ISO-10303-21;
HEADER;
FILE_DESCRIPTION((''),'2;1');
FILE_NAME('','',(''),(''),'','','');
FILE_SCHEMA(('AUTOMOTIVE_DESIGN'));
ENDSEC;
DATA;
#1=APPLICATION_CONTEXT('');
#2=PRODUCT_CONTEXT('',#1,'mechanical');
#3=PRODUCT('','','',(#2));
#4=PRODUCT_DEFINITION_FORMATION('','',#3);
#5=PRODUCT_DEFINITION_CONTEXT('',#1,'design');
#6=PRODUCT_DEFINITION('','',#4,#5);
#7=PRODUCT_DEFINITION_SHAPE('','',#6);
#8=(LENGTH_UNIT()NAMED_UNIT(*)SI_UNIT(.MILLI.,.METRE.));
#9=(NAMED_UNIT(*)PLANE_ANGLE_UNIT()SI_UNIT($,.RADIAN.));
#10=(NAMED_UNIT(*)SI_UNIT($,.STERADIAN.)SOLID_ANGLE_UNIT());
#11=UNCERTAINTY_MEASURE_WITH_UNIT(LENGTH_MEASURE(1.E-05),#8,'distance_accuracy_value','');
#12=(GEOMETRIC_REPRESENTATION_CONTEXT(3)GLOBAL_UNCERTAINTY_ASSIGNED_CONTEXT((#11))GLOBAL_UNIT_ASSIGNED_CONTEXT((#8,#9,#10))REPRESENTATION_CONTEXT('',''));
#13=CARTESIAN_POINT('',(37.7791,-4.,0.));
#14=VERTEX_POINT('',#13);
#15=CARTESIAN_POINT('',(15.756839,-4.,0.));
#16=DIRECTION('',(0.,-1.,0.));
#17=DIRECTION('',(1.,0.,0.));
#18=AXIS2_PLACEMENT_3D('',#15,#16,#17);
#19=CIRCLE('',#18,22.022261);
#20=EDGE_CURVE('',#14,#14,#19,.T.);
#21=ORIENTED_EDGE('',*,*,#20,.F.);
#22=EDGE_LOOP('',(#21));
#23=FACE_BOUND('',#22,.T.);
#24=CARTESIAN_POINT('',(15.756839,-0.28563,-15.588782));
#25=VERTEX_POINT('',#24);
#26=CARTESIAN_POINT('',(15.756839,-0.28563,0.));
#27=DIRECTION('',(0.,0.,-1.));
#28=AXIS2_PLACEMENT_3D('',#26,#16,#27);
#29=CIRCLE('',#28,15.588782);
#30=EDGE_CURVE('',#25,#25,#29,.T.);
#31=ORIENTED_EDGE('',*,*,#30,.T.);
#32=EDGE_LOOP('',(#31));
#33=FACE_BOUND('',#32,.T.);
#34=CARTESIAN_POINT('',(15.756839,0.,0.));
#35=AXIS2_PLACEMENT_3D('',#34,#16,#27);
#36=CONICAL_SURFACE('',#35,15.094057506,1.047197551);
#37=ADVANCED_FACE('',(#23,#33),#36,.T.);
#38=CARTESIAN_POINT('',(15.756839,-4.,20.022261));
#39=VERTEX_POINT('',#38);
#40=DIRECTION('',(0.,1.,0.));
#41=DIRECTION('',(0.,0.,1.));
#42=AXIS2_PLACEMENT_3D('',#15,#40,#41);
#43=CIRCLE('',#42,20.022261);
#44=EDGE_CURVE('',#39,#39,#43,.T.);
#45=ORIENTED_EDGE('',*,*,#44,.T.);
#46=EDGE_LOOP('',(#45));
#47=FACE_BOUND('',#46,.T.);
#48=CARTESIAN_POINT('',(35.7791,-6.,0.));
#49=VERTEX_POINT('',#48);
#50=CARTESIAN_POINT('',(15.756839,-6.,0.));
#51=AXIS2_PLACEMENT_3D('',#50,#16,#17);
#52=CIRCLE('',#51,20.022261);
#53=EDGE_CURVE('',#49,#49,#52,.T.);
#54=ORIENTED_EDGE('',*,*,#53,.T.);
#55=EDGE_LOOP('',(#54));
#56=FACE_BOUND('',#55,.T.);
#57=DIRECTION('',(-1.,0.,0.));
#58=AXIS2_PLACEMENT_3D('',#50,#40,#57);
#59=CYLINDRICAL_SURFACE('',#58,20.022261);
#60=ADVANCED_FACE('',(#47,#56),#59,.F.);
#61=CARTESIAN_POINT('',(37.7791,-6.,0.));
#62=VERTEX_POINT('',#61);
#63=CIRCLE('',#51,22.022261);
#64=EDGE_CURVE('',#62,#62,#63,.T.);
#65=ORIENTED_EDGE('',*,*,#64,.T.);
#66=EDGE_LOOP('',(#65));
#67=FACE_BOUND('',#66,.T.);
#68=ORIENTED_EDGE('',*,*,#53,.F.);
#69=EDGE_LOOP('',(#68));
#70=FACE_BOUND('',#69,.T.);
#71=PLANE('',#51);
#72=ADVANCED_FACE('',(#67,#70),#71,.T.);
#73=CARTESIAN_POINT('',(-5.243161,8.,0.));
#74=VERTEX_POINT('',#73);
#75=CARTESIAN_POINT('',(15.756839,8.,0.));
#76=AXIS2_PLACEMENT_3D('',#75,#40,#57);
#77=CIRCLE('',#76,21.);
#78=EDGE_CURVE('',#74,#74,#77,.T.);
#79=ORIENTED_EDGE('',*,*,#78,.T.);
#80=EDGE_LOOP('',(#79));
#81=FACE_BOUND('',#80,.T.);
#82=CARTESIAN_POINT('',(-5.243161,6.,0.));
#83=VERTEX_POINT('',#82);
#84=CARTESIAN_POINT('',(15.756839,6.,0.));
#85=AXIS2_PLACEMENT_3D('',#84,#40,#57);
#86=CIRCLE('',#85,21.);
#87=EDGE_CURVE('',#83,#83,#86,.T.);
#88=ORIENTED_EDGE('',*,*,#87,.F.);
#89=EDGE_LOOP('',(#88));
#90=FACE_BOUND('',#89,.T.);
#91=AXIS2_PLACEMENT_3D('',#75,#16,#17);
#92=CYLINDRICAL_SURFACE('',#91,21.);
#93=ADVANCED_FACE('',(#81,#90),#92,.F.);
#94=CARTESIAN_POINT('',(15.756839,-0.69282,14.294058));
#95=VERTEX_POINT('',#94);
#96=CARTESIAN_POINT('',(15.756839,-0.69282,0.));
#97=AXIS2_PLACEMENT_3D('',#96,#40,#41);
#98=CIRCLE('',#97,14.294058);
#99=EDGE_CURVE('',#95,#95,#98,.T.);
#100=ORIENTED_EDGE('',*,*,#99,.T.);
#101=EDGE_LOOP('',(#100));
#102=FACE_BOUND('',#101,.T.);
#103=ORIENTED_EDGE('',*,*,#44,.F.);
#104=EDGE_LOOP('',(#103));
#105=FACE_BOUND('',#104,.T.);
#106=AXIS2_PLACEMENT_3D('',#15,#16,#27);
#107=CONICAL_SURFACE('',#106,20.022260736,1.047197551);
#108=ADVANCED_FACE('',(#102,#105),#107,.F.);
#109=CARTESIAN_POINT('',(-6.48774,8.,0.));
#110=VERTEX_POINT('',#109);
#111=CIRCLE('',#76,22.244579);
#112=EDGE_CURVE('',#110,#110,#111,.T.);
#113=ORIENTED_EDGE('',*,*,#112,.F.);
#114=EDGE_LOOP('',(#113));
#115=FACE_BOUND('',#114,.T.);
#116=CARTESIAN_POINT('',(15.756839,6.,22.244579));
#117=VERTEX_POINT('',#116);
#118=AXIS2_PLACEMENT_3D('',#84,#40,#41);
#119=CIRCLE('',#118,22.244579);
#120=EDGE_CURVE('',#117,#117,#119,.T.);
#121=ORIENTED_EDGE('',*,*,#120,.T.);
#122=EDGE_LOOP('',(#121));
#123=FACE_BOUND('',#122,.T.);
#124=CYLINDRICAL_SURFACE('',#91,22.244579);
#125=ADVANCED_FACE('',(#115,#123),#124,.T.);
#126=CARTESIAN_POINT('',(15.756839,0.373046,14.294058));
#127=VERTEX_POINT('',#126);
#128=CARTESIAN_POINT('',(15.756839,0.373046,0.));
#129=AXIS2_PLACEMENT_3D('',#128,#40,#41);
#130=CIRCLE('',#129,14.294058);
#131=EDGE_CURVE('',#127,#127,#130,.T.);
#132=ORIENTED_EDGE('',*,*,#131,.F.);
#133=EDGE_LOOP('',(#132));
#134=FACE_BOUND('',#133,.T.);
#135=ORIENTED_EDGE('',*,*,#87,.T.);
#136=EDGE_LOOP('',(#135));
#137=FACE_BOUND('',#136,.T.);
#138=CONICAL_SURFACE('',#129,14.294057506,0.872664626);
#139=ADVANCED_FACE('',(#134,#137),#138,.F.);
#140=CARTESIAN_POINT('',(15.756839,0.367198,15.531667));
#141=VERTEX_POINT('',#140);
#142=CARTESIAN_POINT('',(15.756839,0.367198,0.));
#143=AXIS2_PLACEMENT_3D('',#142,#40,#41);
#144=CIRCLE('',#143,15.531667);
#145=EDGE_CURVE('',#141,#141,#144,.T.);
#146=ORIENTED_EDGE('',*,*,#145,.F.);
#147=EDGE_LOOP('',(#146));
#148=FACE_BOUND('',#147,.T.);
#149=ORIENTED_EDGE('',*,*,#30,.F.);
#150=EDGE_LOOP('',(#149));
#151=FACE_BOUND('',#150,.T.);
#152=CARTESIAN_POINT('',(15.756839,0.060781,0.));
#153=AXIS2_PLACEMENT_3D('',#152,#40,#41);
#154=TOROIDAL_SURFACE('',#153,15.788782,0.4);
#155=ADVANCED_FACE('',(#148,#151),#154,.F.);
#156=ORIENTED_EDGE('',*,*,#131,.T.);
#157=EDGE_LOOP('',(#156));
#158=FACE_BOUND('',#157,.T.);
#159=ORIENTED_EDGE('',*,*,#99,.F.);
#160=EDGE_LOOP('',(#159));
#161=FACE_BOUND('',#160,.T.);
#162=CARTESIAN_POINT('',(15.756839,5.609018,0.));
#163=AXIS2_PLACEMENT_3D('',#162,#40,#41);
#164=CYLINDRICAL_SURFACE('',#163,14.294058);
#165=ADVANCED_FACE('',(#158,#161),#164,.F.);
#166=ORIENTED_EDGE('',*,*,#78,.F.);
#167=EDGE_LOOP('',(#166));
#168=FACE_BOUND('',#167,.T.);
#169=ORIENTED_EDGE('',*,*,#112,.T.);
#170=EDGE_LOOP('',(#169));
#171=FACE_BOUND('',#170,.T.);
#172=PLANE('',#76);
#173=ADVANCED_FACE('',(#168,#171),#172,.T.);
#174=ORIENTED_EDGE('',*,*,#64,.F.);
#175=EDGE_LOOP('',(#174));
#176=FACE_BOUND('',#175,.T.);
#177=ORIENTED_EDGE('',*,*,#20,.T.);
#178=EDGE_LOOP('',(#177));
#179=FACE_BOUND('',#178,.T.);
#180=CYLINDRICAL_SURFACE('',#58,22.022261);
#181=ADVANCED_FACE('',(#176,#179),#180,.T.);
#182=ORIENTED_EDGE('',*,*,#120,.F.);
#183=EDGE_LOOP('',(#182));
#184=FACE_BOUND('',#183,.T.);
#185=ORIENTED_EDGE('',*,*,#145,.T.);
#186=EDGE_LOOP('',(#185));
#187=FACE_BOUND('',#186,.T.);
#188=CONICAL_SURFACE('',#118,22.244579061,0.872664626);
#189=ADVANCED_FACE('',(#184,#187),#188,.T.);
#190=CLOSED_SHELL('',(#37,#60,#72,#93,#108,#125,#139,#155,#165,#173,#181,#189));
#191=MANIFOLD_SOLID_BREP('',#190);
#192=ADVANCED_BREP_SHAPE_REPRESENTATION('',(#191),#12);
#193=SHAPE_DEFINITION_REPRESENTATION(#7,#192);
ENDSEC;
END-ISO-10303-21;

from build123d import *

# Parameters (mm, degrees)
FILLET2_R           = 0.4
SKETCH2_R           = 22.244579061
SKETCH2_R_2         = 21
BOSS_EXTRUDE1_DEPTH = 2
SKETCH3_R           = 22.022260736
SKETCH3_R_2         = 20.022260736
BOSS_EXTRUDE2_DEPTH = 2


with BuildPart() as part:
    # Sketch1 → Revolve1 (revolve)
    with BuildSketch(Plane.XY, mode=Mode.PRIVATE) as revolve1_sk:
        Polygon((0.662781953, 0), (-6.487739603, 6), (-5.243160541, 6), (1.462781953, 0.373046127), (1.462781953, -0.692820323), (-4.265421278, -4), (-6.265421278, -4), align=None)
    revolve(revolve1_sk.sketch.rotate(Axis((15.756839459, 5.609018033, 0), (0, -1, 0)), 270), axis=Axis((15.756839459, 5.609018033, 0), (0, -1, 0)))

    # Fillet2
    fillet2_edges = [part.edges().sort_by_distance(p)[0] for p in [
        (15.756839459, 0, -15.094057506),
    ]]
    fillet(fillet2_edges, radius=FILLET2_R)

    # Sketch2 → Boss-Extrude1 (add)
    with BuildSketch(Plane(origin=(0, 6, 0), x_dir=(1, 0, 0), z_dir=(0, 1, 0))):
        with Locations(Location((15.756839459, 0, 0), (0, 0, 270))):
            Circle(SKETCH2_R)
        with Locations(Location((15.756839459, 0, 0), (0, 0, 180))):
            Circle(SKETCH2_R_2, mode=Mode.SUBTRACT)
    extrude(amount=BOSS_EXTRUDE1_DEPTH)

    # Sketch3 → Boss-Extrude2 (add)
    with BuildSketch(Plane.XZ.offset(4)):
        with Locations((15.756839459, 0)):
            Circle(SKETCH3_R)
        with Locations(Location((15.756839459, 0, 0), (0, 0, 90))):
            Circle(SKETCH3_R_2, mode=Mode.SUBTRACT)
    extrude(amount=BOSS_EXTRUDE2_DEPTH)


solid = part.part
